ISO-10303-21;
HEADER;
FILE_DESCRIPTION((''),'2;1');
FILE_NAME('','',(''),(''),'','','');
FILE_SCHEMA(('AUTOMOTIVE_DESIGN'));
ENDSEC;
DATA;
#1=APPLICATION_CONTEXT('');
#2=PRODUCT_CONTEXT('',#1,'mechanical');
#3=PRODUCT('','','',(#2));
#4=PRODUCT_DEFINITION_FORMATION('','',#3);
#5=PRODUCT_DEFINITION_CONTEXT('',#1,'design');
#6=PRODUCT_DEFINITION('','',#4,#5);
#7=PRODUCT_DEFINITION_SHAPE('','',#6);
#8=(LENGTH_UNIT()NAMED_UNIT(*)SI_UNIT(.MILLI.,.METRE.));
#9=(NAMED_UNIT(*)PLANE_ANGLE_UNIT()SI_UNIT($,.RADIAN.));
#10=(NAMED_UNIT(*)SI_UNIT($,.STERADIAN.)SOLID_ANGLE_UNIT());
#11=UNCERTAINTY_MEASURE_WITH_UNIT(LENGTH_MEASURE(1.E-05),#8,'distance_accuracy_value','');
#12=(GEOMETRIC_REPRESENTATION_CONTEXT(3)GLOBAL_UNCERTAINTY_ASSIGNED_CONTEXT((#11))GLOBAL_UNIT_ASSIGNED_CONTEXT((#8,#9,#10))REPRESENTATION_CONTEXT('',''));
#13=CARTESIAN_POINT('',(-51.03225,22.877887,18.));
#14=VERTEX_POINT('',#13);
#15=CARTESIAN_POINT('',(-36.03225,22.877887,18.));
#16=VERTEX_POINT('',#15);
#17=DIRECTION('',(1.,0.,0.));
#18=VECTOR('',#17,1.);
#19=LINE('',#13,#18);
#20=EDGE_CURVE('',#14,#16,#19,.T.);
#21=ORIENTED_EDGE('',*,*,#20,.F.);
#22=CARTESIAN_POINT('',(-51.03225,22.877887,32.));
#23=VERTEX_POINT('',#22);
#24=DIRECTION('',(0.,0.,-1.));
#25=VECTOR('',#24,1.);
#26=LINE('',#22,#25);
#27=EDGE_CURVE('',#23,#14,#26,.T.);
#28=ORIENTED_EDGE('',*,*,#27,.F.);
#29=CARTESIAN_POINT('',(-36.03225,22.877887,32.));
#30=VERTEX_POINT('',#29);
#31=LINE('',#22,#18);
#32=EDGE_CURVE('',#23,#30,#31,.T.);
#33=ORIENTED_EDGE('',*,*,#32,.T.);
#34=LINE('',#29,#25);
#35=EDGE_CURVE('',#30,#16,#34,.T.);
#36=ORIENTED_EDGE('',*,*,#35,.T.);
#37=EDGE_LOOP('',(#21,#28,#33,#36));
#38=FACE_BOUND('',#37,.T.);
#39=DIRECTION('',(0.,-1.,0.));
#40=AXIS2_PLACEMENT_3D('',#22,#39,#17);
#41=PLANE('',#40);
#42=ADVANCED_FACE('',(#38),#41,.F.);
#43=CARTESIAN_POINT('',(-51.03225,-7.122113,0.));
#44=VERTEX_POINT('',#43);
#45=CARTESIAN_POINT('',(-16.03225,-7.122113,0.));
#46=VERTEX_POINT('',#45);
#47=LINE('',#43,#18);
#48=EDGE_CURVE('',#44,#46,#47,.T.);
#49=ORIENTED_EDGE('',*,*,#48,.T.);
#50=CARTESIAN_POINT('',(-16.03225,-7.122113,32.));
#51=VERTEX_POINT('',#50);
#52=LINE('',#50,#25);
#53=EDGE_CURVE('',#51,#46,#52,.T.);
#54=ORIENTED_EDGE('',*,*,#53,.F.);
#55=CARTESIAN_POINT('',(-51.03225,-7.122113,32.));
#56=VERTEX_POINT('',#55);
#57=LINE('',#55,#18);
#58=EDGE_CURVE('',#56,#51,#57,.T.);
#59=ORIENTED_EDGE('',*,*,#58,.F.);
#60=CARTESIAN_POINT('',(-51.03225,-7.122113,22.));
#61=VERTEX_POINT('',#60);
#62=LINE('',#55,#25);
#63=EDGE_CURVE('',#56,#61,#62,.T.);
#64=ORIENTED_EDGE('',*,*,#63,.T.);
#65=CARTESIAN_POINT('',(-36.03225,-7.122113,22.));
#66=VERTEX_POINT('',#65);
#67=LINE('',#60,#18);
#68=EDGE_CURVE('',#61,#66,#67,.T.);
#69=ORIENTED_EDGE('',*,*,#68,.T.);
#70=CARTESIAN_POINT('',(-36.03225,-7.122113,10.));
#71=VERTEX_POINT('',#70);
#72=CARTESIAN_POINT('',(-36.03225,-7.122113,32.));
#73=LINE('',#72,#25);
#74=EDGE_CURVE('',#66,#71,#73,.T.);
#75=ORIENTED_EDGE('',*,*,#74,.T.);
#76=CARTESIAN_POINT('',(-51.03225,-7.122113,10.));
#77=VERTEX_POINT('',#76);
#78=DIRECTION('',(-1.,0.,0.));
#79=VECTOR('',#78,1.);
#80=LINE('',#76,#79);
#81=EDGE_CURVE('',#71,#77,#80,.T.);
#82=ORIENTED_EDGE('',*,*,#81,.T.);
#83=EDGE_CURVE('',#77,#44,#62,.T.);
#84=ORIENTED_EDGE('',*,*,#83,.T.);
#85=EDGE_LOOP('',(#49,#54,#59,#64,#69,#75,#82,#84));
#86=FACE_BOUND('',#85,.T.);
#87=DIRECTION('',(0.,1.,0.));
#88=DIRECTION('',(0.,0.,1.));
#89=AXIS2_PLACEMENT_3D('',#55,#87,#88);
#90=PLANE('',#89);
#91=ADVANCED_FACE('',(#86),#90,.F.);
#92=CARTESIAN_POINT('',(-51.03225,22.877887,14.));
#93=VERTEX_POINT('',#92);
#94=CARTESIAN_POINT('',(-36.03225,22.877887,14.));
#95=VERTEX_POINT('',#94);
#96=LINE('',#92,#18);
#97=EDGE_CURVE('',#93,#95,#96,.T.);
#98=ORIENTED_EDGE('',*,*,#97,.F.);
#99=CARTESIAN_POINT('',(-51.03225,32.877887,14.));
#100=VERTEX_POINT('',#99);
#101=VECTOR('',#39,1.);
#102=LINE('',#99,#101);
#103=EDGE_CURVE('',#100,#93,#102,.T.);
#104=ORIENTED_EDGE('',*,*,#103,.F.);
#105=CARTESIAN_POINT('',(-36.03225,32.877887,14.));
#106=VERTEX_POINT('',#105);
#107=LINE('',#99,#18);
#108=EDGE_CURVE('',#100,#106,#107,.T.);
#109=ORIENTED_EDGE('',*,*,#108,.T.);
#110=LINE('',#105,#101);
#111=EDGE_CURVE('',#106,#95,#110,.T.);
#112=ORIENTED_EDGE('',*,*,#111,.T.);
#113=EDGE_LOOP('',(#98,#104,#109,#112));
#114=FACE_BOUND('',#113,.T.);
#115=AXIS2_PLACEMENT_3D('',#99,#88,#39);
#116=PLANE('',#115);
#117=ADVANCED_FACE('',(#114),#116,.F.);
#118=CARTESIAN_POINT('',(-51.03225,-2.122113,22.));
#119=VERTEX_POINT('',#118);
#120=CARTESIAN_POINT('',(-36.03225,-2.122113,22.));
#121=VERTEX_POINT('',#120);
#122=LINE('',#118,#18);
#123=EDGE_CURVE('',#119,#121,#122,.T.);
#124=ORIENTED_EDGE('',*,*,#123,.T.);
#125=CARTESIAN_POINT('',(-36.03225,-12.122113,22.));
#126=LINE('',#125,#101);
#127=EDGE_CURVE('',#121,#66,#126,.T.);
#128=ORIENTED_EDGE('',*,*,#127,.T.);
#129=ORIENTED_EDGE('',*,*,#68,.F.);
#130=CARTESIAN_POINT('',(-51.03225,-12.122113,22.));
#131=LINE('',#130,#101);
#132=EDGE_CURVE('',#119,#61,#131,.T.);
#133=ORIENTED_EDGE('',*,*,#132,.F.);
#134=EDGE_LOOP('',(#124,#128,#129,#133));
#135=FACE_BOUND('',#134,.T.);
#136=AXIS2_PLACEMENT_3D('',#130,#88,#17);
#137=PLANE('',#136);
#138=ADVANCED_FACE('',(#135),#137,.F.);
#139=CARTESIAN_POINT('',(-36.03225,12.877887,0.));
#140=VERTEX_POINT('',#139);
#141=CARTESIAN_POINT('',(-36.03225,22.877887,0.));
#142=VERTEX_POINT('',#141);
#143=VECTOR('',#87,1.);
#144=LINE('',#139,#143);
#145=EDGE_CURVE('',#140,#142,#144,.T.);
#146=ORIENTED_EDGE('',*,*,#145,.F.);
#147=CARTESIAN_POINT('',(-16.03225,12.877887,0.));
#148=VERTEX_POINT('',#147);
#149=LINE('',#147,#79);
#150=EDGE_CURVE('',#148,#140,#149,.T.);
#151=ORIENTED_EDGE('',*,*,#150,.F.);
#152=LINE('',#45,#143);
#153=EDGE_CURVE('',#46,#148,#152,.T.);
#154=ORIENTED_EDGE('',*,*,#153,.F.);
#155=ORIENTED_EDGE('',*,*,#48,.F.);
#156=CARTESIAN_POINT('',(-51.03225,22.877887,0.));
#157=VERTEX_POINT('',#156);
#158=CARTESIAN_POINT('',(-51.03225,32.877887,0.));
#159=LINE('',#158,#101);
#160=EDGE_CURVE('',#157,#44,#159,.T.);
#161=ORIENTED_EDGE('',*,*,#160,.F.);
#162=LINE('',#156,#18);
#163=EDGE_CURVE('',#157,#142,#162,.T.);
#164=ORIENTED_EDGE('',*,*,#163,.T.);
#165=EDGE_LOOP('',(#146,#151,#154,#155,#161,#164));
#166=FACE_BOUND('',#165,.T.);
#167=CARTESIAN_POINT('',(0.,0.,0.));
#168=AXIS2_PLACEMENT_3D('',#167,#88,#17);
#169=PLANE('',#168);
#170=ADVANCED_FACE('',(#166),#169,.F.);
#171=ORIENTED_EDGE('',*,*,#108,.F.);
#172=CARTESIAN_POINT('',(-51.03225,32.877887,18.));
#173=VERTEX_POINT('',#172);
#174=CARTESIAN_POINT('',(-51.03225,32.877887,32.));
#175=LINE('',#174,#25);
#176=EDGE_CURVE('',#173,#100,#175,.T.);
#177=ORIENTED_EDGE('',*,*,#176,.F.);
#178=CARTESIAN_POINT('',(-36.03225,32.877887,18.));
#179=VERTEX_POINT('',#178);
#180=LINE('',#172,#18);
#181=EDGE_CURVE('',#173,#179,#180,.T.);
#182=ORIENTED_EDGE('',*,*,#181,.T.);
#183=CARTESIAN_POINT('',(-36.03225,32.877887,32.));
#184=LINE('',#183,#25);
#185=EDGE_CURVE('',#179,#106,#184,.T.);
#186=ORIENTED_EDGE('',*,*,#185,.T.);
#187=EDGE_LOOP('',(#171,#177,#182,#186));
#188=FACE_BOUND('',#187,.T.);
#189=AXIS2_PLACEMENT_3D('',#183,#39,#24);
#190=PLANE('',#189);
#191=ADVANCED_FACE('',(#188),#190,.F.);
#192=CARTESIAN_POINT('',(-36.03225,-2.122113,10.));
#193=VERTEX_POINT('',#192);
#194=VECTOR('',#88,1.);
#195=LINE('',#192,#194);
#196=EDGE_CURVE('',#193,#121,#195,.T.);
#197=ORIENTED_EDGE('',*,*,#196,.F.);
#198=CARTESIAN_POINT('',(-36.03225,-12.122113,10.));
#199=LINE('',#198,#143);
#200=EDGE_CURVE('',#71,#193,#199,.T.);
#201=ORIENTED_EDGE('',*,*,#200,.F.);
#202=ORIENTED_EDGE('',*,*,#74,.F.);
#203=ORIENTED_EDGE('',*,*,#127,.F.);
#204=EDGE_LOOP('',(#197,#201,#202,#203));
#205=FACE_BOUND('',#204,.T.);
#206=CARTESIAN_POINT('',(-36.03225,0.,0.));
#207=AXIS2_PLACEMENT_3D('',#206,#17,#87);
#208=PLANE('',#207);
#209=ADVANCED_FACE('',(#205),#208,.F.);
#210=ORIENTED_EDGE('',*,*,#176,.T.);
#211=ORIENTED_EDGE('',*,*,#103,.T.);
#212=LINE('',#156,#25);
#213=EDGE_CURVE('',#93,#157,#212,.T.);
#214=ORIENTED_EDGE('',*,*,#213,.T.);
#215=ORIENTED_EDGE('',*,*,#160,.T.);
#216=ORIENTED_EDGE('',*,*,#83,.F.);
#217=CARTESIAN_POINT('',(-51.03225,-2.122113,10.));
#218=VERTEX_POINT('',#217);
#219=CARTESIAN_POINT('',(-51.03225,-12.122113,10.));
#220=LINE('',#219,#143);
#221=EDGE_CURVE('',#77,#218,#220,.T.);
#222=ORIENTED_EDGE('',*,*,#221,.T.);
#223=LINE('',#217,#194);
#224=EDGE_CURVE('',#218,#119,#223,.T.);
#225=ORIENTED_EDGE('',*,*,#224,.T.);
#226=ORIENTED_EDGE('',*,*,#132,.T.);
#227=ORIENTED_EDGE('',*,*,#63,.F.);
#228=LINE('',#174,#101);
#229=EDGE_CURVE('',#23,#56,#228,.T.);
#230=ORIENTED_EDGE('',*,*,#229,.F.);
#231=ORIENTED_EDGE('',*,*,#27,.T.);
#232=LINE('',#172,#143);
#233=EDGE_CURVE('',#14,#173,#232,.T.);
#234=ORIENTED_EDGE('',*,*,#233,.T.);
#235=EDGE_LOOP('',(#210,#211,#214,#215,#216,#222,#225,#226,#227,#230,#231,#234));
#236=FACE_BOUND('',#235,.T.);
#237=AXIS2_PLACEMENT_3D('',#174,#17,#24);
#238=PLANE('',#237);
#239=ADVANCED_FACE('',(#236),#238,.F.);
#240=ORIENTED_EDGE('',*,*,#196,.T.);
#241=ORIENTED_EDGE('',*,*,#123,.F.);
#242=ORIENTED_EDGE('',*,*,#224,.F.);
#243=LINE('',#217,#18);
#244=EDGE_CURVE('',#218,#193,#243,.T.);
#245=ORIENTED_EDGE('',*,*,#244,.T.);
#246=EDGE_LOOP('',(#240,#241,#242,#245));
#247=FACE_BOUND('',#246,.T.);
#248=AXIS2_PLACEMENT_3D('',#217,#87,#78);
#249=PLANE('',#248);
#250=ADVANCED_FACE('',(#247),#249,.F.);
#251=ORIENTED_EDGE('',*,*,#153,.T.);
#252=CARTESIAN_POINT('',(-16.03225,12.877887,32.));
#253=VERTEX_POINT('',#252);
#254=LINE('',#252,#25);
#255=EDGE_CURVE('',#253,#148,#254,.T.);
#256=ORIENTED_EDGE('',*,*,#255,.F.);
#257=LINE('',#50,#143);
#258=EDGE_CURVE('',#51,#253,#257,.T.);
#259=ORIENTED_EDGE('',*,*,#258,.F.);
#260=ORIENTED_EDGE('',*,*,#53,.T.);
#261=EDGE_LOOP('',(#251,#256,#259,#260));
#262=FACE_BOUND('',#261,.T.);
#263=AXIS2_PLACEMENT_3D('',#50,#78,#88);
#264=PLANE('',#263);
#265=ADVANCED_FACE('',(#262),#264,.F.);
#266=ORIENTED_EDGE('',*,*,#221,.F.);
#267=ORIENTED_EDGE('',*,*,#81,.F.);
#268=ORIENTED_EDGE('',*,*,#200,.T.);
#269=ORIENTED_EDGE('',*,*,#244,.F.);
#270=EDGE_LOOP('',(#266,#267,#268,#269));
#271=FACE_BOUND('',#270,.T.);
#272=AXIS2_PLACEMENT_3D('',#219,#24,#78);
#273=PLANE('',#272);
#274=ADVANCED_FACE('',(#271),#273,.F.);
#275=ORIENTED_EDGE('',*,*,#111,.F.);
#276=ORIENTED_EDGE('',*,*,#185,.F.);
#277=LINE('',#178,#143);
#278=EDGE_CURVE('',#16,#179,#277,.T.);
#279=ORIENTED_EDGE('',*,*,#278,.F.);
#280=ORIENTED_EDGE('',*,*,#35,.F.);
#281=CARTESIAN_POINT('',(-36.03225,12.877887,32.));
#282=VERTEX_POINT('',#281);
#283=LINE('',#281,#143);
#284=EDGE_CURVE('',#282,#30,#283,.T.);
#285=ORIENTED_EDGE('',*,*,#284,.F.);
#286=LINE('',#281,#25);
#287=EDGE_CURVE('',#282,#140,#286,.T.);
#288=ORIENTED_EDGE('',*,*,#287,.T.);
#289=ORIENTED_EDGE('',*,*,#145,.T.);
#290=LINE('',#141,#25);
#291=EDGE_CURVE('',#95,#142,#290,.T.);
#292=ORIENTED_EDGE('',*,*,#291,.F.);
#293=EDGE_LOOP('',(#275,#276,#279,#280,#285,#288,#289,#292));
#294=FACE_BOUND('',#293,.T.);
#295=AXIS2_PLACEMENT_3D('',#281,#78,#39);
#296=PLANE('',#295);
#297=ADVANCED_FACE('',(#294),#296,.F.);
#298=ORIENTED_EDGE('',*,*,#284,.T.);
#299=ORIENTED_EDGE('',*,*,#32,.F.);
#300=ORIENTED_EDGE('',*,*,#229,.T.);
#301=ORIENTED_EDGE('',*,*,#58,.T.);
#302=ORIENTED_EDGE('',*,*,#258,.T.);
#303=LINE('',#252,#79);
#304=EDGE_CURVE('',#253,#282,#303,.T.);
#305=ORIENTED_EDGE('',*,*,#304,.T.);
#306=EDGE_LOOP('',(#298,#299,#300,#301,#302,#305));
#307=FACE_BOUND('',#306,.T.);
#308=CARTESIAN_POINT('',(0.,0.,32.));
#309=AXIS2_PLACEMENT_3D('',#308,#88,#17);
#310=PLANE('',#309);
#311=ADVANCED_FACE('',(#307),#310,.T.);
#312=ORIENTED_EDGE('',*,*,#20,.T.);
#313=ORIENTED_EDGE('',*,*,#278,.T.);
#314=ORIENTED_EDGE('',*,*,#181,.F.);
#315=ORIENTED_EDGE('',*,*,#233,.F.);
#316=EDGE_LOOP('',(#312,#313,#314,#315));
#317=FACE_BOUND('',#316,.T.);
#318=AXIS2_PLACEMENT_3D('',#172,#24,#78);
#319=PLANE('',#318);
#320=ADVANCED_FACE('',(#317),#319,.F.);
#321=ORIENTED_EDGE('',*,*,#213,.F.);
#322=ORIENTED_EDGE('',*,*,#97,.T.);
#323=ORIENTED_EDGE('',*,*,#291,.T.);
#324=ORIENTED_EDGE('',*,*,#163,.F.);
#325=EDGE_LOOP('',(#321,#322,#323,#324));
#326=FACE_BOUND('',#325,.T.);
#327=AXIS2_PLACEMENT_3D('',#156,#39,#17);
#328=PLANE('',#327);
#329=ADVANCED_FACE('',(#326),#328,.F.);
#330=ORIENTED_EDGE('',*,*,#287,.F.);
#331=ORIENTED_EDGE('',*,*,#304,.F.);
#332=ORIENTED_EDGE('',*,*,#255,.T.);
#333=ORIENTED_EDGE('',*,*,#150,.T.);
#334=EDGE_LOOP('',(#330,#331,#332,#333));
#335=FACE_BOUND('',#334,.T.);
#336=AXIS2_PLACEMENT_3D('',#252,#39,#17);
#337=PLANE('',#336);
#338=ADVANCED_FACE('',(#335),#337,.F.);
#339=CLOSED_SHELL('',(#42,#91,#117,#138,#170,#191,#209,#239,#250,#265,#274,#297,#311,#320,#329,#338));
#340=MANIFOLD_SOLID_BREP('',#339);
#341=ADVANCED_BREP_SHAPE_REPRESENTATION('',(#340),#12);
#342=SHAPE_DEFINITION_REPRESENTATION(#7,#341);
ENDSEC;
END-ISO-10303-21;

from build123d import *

# Parameters (mm, degrees)
BOSS_EXTRUDE1_DEPTH = 32
SKETCH2_W           = 14
SKETCH2_H           = 10
SKETCH2_W_2         = 12
CUT_EXTRUDE1_DEPTH  = 51.049529889


with BuildPart() as part:
    # Sketch1 → Boss-Extrude1 (new body)
    with BuildSketch(Plane.XY):
        Polygon((-36.032249566, 32.877886825), (-51.032249566, 32.877886825), (-51.032249566, -7.122113175), (-16.032249566, -7.122113175), (-16.032249566, 12.877886825), (-36.032249566, 12.877886825), align=None)
    extrude(amount=BOSS_EXTRUDE1_DEPTH)

    # Sketch2 → Cut-Extrude1 (cut, through all)
    with BuildSketch(Plane(origin=(-36.032249566, 0, 0), x_dir=(0, 0, -1), z_dir=(1, 0, 0))):
        with Locations((-7, 27.877886825)):
            Rectangle(SKETCH2_W, SKETCH2_H)
        with Locations((-25, 27.877886825)):
            Rectangle(SKETCH2_W, SKETCH2_H)
        with Locations((-16, -7.122113175)):
            Rectangle(SKETCH2_W_2, SKETCH2_H)
    extrude(amount=-CUT_EXTRUDE1_DEPTH, mode=Mode.SUBTRACT)


solid = part.part
